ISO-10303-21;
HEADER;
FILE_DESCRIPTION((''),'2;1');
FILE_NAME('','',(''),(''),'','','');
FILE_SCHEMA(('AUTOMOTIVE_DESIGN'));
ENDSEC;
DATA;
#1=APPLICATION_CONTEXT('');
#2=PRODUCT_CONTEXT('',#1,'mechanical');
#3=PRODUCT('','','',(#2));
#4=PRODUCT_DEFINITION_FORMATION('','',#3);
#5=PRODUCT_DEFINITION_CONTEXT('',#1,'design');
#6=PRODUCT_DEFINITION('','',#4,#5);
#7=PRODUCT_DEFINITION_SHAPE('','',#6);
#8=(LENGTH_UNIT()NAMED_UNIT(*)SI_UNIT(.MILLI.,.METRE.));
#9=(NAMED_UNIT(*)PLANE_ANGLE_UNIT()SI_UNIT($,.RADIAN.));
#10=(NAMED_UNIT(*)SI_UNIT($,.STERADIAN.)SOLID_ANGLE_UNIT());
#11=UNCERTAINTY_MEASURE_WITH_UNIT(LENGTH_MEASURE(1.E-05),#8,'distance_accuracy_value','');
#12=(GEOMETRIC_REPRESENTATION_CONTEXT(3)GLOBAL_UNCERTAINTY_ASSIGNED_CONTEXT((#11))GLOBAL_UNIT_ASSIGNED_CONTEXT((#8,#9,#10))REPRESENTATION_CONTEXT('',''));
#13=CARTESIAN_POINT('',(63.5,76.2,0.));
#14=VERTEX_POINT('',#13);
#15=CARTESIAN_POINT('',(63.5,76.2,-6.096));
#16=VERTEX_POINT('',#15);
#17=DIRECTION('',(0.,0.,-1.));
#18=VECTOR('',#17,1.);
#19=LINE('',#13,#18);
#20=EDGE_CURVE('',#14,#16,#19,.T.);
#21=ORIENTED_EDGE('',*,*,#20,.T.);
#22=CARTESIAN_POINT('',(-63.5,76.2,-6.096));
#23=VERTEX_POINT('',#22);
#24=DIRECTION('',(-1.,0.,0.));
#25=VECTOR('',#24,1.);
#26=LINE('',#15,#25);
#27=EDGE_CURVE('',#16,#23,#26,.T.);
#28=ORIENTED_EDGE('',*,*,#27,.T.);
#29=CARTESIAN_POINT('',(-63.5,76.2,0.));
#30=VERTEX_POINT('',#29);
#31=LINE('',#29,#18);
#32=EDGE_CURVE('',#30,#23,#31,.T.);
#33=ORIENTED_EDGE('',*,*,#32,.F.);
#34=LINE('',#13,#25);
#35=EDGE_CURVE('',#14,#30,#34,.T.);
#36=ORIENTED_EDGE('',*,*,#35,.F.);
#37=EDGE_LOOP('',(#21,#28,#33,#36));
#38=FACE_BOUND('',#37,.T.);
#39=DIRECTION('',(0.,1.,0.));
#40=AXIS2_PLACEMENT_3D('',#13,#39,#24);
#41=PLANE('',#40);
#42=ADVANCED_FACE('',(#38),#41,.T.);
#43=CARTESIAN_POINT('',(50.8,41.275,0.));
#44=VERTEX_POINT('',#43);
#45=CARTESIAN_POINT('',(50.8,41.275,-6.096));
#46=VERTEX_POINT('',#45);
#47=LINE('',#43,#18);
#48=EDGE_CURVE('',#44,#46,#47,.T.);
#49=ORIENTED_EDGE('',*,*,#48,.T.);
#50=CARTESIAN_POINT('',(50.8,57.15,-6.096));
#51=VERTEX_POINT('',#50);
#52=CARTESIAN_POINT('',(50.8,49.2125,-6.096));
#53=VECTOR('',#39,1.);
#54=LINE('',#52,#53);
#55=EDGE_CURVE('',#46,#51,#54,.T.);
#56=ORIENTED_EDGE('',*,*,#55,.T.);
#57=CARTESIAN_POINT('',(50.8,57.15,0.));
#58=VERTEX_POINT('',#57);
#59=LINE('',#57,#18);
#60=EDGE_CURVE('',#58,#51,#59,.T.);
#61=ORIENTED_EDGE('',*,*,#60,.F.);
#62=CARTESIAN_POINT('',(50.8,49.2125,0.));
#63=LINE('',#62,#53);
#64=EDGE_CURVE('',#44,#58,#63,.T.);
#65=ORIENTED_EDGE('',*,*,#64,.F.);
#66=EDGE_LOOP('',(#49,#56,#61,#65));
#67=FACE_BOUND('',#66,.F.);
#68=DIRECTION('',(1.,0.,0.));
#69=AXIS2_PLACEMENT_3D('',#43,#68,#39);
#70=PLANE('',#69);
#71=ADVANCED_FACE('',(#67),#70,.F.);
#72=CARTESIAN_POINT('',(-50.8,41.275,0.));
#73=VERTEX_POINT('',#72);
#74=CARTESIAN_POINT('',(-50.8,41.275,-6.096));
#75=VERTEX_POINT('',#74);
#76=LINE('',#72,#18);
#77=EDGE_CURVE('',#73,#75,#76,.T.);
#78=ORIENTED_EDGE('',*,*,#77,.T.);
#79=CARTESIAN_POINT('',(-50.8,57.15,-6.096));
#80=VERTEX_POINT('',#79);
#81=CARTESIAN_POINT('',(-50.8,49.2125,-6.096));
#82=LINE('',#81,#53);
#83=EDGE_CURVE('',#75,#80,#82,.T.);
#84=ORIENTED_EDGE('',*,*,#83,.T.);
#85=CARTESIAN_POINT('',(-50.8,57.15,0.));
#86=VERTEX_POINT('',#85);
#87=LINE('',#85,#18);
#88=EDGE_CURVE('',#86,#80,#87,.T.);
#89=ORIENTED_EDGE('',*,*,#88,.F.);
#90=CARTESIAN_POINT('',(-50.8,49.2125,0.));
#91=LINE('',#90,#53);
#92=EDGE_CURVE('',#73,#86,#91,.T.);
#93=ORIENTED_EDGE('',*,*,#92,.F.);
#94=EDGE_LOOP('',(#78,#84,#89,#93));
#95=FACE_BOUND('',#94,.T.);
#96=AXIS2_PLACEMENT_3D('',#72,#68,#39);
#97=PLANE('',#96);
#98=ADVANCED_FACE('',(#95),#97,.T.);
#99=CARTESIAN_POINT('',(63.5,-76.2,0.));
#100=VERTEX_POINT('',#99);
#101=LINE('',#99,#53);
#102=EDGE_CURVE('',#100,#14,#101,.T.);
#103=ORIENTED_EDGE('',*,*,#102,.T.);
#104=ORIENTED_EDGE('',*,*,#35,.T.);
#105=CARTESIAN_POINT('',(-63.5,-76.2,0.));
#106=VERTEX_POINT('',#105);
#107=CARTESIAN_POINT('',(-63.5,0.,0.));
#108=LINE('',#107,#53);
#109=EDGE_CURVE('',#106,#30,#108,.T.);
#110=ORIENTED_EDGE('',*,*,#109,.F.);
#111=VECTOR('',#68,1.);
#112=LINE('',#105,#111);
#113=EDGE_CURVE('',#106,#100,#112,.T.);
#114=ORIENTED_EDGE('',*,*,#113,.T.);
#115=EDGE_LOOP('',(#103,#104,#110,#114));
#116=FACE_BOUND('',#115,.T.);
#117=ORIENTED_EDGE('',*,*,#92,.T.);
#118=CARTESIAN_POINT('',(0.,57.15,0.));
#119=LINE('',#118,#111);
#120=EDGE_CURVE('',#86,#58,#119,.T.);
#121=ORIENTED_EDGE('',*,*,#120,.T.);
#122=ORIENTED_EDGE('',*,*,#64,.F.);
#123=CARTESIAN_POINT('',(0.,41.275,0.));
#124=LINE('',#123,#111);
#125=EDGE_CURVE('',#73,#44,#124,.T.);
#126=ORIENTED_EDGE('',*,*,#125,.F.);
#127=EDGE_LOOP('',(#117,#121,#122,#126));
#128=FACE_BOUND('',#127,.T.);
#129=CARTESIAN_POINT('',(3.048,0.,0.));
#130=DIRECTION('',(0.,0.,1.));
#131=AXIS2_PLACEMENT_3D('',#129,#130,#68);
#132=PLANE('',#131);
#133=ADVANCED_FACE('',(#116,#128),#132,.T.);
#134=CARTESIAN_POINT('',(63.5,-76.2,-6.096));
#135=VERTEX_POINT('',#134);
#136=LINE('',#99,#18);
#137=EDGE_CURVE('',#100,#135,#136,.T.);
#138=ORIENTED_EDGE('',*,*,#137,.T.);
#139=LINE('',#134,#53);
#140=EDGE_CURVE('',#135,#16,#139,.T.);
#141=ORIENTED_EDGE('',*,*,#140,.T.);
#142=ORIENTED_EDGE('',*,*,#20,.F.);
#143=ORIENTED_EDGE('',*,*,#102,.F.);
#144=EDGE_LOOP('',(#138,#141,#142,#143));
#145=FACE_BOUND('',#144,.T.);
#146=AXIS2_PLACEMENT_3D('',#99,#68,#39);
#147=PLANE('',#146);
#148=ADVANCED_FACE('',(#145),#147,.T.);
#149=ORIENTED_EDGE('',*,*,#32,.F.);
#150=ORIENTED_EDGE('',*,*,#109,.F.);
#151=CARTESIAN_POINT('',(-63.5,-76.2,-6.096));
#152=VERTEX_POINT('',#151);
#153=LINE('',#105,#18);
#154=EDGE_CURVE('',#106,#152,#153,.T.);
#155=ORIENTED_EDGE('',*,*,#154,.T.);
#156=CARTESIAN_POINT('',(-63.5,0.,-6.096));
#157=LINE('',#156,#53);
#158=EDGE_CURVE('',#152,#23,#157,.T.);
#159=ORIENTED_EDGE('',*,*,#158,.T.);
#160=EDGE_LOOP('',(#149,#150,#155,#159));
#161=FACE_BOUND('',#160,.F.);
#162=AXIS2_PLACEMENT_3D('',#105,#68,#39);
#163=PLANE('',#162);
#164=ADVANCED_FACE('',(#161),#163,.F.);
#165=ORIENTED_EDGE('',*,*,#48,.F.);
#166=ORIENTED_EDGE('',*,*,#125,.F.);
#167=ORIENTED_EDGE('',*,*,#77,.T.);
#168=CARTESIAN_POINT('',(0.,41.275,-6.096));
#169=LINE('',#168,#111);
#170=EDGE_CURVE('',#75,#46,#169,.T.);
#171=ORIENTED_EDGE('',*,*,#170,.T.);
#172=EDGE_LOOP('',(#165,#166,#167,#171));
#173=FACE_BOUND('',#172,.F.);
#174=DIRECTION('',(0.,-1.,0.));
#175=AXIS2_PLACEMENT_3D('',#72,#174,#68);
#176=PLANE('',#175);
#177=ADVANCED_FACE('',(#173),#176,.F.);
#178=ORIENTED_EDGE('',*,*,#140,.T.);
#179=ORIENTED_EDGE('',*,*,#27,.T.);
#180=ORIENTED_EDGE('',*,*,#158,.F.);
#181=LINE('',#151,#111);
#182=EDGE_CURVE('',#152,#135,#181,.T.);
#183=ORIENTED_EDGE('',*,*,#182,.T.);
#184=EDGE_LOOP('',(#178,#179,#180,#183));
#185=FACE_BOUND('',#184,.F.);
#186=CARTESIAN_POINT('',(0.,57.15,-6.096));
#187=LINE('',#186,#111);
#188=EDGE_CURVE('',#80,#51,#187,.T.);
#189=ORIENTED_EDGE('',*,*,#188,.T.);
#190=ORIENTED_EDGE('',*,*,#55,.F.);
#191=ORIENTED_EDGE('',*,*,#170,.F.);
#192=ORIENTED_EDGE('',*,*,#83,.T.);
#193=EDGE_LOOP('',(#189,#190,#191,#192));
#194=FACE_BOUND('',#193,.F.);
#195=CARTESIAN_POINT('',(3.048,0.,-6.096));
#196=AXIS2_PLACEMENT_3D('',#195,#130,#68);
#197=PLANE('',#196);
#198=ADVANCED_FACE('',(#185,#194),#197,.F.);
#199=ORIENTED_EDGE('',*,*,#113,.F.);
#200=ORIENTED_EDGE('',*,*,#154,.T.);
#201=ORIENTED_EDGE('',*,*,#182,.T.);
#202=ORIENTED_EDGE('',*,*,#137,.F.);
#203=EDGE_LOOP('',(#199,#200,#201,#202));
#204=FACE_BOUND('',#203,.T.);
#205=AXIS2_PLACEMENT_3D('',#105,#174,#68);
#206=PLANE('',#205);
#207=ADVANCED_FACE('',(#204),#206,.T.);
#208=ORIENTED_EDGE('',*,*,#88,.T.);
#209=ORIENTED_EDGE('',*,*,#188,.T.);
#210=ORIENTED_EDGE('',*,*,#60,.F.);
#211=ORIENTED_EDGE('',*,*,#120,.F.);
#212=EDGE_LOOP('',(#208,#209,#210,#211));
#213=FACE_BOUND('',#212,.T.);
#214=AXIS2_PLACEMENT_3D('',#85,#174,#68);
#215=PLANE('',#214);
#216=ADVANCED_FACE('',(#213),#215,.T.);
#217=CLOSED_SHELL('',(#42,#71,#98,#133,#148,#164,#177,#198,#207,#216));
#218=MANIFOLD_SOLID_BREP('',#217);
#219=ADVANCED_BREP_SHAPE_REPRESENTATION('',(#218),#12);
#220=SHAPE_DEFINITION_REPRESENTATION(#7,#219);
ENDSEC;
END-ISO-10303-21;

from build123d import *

# Parameters (mm, degrees)
F0_W     = 101.6
F0_H     = 15.875
F0_W_2   = 6.096
F0_H_2   = 152.4
F1_DEPTH = 6.096


with BuildPart() as f1:
    # F0 (on Top) → F1 (new body)
    with BuildSketch(Plane.XY):
        Polygon((63.5, 76.2), (0, 76.2), (-57.404, 76.2), (-57.404, -76.2), (0, -76.2), (63.5, -76.2), align=None)
        with Locations((0, 49.2125)):
            Rectangle(F0_W, F0_H, mode=Mode.SUBTRACT)
        with Locations((-60.452, 0)):
            Rectangle(F0_W_2, F0_H_2)
    extrude(amount=-F1_DEPTH)


solid = f1.part
